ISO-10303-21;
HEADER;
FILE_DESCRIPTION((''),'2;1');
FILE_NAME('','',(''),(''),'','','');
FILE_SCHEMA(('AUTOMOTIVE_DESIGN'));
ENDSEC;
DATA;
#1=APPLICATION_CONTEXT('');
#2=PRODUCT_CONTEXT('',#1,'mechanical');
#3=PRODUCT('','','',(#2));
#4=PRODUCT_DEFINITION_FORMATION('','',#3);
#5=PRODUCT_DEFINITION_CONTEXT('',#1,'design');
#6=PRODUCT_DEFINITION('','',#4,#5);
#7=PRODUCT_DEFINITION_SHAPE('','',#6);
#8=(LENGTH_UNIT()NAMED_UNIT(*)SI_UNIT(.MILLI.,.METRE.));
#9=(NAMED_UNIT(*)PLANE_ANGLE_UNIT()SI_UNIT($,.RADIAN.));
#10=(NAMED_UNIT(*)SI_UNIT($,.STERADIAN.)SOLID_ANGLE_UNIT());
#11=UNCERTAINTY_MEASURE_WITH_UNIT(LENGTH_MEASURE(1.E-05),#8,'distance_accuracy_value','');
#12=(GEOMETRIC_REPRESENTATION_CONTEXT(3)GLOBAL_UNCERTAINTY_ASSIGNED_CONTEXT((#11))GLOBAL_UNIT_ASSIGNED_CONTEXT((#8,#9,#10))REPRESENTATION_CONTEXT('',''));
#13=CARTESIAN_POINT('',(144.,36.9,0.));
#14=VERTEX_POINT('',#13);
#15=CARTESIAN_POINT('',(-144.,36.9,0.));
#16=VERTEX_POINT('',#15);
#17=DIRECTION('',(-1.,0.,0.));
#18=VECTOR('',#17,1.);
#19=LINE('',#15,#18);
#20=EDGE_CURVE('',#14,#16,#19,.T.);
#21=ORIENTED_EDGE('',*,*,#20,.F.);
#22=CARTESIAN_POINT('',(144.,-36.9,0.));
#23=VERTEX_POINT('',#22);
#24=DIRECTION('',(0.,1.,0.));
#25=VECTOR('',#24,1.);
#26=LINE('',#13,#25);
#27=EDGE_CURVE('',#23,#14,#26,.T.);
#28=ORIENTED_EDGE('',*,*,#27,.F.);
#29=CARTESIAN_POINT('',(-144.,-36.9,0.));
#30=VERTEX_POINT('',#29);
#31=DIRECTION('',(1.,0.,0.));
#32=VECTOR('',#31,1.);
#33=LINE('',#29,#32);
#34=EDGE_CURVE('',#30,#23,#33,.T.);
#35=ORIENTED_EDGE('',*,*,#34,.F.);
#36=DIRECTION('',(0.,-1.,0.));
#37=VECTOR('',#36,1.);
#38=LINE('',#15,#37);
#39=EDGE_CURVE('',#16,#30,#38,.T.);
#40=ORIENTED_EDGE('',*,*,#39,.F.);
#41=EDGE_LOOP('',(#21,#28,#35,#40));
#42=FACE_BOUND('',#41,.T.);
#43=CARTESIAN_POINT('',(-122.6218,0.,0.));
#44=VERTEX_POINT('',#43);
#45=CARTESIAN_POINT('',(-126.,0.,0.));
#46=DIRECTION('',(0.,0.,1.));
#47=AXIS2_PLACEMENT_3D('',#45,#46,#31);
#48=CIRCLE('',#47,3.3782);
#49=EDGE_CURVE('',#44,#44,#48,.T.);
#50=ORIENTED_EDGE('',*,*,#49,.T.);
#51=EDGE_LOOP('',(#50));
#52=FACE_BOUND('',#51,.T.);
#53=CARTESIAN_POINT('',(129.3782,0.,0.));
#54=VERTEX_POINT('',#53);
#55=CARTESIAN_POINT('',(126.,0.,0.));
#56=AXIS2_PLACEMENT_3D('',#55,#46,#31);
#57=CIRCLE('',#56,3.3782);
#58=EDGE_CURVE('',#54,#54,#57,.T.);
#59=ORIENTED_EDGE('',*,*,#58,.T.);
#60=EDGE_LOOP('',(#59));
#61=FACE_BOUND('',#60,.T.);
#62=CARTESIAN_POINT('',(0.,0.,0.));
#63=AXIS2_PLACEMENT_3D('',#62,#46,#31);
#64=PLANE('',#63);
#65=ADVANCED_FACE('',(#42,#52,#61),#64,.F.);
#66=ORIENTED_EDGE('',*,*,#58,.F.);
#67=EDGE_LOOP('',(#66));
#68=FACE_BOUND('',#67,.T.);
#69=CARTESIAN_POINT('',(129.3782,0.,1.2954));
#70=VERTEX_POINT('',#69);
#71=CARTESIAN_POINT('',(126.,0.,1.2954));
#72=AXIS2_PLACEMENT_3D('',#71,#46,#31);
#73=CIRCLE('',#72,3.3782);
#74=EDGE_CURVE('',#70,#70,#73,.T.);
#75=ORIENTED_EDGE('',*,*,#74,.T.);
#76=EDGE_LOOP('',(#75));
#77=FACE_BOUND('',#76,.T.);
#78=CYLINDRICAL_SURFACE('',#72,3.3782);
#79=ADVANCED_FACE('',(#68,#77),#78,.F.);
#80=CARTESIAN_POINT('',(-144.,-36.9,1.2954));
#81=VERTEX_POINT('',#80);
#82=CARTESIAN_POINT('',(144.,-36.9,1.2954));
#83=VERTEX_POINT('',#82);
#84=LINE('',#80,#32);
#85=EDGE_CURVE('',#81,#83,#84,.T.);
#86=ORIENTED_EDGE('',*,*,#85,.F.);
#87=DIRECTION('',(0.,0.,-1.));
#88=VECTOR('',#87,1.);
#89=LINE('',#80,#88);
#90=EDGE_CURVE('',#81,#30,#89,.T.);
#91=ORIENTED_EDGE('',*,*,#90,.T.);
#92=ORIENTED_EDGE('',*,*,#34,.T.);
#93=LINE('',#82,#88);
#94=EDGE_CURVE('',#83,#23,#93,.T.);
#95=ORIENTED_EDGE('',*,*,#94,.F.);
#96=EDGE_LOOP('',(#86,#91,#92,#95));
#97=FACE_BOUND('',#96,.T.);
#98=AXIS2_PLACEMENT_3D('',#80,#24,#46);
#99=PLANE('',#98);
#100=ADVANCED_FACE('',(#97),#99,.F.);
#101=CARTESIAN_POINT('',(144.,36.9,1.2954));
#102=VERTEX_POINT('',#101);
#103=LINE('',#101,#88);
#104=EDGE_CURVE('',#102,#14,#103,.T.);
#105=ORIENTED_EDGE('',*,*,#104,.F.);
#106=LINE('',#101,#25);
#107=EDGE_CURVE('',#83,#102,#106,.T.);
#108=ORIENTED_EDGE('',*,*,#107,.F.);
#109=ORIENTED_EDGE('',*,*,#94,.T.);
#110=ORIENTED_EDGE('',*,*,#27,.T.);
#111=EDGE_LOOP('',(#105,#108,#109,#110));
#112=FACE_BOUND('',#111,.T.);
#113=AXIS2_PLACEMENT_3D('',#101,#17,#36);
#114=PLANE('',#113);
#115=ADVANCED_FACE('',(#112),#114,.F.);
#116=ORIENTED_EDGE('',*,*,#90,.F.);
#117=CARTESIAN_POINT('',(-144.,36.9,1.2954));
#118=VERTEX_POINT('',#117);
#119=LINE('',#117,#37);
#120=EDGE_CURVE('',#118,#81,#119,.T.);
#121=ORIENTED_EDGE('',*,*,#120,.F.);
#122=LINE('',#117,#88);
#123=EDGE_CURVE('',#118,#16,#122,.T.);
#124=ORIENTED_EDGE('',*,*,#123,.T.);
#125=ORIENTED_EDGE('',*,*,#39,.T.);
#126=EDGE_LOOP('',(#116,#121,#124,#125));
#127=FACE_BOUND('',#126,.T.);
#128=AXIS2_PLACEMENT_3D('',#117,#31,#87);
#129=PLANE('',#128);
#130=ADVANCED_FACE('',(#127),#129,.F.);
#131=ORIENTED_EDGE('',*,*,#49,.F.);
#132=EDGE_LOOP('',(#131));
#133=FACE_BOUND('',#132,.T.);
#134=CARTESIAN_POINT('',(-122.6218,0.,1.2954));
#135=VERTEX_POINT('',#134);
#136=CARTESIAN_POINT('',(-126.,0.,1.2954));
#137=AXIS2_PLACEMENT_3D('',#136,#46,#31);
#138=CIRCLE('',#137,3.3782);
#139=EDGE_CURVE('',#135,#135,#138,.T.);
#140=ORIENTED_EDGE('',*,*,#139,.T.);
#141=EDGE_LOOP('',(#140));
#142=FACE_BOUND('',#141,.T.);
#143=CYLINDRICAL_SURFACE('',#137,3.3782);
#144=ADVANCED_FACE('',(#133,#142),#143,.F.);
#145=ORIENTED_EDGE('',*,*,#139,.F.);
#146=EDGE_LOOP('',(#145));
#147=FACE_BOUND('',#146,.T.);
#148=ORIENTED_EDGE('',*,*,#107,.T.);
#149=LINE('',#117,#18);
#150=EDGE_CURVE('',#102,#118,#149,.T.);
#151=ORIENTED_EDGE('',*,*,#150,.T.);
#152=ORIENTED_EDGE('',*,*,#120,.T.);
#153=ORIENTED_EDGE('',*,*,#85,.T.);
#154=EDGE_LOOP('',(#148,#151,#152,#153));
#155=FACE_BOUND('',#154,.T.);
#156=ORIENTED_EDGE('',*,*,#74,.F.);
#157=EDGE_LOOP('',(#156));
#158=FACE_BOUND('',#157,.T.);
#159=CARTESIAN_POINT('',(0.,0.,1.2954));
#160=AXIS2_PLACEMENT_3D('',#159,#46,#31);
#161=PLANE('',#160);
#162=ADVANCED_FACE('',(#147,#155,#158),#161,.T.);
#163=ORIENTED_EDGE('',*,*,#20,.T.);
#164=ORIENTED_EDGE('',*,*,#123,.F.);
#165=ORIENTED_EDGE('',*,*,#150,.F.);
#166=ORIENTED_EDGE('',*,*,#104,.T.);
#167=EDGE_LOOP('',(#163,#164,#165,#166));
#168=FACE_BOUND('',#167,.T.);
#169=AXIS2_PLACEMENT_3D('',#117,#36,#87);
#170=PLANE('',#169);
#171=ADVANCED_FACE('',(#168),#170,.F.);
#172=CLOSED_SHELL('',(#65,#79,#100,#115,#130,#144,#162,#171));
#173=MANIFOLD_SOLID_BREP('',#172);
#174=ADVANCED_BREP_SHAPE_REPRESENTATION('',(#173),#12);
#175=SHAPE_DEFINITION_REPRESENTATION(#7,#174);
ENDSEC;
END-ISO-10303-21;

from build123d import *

# Parameters (mm, degrees)
SKETCH2_W               = 288
SKETCH2_H               = 73.8
BOSS_EXTRUDE1_DEPTH     = 1.2954
F_1_4_CLEARANCE_HOLE1_D = 6.7564


with BuildPart() as part:
    # Sketch2 → Boss-Extrude1 (new body)
    with BuildSketch(Plane.XY):
        Rectangle(SKETCH2_W, SKETCH2_H)
    extrude(amount=BOSS_EXTRUDE1_DEPTH)

    # 1/4 Clearance Hole1 (through all)
    with Locations(Plane.XY.offset(1.2954)):
        with Locations((-126, 0), (126, 0)):
            Hole(F_1_4_CLEARANCE_HOLE1_D / 2)


solid = part.part
